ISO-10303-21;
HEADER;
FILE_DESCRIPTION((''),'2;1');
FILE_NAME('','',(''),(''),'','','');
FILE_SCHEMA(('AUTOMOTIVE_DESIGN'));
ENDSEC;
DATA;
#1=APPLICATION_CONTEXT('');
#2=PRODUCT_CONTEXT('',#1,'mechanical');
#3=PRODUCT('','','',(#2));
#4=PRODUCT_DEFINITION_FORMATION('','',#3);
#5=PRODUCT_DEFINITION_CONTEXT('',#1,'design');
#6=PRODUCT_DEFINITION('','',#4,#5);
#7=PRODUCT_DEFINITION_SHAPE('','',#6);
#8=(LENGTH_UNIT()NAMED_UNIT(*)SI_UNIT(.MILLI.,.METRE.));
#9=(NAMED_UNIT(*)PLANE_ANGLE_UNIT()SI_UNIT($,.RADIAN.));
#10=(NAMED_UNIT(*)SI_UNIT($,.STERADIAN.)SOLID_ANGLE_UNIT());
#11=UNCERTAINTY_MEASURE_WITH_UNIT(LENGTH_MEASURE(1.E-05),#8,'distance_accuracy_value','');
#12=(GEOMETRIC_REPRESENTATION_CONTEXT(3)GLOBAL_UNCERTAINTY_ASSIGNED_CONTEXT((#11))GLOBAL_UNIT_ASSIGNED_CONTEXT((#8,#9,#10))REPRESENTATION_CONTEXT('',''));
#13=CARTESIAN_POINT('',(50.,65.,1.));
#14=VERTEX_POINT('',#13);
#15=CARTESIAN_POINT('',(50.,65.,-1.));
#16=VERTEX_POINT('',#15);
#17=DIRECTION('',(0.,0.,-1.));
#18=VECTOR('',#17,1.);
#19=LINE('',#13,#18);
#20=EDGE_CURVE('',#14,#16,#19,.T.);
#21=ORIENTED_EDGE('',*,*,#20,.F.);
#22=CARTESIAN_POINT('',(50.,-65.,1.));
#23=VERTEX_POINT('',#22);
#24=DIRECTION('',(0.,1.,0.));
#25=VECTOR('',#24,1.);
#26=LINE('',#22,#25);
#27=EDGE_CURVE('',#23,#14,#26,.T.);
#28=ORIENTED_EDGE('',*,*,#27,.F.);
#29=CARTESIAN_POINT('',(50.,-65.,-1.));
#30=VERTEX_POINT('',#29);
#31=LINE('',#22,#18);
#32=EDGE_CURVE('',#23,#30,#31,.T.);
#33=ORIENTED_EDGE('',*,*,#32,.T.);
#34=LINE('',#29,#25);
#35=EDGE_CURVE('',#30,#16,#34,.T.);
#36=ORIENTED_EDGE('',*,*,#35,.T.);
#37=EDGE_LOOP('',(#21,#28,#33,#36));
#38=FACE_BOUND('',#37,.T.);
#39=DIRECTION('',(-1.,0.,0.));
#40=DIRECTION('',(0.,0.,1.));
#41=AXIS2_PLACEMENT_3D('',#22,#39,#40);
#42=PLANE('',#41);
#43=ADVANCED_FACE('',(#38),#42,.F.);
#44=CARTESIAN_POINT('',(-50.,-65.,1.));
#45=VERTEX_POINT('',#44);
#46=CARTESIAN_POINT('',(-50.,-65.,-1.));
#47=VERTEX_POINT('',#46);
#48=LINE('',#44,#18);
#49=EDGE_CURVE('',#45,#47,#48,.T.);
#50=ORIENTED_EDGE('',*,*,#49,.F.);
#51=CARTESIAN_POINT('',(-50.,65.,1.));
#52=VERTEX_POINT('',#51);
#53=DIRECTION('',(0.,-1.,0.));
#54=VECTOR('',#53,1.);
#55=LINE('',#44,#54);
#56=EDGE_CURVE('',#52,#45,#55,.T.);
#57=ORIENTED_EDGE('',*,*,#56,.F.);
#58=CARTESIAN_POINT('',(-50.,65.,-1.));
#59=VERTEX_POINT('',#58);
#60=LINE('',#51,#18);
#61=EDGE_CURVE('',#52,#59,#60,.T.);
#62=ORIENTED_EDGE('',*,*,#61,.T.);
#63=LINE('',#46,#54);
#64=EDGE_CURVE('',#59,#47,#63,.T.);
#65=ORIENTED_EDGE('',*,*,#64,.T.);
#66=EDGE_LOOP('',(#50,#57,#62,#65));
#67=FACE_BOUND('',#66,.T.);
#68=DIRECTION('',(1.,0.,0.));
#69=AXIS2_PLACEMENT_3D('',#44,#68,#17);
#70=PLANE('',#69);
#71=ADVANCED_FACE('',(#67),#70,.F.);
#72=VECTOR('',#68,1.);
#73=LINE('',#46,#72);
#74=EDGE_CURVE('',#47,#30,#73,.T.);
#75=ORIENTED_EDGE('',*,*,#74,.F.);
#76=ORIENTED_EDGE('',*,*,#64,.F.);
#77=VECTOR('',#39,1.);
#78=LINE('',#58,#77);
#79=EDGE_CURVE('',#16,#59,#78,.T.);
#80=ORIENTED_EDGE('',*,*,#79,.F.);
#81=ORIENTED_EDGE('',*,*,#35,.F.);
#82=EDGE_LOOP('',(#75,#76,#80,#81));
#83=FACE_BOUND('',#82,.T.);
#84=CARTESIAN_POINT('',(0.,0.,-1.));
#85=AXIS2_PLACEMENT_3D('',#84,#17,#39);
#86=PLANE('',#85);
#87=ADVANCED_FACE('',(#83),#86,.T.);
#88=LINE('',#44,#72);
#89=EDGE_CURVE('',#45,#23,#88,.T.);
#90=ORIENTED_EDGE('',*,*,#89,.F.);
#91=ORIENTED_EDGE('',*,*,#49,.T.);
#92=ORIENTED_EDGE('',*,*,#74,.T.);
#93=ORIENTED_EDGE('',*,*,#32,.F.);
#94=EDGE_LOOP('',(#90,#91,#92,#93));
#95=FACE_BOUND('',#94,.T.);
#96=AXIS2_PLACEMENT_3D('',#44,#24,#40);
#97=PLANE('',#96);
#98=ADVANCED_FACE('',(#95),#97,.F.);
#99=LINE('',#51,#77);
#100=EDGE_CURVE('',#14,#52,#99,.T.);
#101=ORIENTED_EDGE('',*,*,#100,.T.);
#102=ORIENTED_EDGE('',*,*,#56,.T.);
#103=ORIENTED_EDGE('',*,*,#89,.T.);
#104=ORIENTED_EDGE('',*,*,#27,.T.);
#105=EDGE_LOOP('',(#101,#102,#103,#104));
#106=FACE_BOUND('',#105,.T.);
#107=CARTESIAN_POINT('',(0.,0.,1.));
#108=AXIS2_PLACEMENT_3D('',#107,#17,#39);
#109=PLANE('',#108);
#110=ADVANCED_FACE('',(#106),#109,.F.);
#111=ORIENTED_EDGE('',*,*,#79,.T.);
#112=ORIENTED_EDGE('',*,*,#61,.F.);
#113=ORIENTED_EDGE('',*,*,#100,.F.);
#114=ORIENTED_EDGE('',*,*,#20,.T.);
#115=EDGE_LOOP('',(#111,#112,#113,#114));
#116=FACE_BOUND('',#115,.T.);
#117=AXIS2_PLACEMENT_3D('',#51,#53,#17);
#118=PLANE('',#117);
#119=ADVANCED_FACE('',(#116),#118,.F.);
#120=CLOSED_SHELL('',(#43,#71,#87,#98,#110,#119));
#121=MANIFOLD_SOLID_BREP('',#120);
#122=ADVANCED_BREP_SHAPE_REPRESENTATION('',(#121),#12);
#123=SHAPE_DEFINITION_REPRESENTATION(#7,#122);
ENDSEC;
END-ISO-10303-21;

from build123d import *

# Parameters (mm, degrees)
SKETCH1_W           = 100
SKETCH1_H           = 130
BOSS_EXTRUDE1_DEPTH = 1


with BuildPart() as part:
    # Sketch1 → Boss-Extrude1 (new, symmetric)
    with BuildSketch(Plane.XY):
        Rectangle(SKETCH1_W, SKETCH1_H)
    extrude(amount=BOSS_EXTRUDE1_DEPTH, both=True)


solid = part.part
